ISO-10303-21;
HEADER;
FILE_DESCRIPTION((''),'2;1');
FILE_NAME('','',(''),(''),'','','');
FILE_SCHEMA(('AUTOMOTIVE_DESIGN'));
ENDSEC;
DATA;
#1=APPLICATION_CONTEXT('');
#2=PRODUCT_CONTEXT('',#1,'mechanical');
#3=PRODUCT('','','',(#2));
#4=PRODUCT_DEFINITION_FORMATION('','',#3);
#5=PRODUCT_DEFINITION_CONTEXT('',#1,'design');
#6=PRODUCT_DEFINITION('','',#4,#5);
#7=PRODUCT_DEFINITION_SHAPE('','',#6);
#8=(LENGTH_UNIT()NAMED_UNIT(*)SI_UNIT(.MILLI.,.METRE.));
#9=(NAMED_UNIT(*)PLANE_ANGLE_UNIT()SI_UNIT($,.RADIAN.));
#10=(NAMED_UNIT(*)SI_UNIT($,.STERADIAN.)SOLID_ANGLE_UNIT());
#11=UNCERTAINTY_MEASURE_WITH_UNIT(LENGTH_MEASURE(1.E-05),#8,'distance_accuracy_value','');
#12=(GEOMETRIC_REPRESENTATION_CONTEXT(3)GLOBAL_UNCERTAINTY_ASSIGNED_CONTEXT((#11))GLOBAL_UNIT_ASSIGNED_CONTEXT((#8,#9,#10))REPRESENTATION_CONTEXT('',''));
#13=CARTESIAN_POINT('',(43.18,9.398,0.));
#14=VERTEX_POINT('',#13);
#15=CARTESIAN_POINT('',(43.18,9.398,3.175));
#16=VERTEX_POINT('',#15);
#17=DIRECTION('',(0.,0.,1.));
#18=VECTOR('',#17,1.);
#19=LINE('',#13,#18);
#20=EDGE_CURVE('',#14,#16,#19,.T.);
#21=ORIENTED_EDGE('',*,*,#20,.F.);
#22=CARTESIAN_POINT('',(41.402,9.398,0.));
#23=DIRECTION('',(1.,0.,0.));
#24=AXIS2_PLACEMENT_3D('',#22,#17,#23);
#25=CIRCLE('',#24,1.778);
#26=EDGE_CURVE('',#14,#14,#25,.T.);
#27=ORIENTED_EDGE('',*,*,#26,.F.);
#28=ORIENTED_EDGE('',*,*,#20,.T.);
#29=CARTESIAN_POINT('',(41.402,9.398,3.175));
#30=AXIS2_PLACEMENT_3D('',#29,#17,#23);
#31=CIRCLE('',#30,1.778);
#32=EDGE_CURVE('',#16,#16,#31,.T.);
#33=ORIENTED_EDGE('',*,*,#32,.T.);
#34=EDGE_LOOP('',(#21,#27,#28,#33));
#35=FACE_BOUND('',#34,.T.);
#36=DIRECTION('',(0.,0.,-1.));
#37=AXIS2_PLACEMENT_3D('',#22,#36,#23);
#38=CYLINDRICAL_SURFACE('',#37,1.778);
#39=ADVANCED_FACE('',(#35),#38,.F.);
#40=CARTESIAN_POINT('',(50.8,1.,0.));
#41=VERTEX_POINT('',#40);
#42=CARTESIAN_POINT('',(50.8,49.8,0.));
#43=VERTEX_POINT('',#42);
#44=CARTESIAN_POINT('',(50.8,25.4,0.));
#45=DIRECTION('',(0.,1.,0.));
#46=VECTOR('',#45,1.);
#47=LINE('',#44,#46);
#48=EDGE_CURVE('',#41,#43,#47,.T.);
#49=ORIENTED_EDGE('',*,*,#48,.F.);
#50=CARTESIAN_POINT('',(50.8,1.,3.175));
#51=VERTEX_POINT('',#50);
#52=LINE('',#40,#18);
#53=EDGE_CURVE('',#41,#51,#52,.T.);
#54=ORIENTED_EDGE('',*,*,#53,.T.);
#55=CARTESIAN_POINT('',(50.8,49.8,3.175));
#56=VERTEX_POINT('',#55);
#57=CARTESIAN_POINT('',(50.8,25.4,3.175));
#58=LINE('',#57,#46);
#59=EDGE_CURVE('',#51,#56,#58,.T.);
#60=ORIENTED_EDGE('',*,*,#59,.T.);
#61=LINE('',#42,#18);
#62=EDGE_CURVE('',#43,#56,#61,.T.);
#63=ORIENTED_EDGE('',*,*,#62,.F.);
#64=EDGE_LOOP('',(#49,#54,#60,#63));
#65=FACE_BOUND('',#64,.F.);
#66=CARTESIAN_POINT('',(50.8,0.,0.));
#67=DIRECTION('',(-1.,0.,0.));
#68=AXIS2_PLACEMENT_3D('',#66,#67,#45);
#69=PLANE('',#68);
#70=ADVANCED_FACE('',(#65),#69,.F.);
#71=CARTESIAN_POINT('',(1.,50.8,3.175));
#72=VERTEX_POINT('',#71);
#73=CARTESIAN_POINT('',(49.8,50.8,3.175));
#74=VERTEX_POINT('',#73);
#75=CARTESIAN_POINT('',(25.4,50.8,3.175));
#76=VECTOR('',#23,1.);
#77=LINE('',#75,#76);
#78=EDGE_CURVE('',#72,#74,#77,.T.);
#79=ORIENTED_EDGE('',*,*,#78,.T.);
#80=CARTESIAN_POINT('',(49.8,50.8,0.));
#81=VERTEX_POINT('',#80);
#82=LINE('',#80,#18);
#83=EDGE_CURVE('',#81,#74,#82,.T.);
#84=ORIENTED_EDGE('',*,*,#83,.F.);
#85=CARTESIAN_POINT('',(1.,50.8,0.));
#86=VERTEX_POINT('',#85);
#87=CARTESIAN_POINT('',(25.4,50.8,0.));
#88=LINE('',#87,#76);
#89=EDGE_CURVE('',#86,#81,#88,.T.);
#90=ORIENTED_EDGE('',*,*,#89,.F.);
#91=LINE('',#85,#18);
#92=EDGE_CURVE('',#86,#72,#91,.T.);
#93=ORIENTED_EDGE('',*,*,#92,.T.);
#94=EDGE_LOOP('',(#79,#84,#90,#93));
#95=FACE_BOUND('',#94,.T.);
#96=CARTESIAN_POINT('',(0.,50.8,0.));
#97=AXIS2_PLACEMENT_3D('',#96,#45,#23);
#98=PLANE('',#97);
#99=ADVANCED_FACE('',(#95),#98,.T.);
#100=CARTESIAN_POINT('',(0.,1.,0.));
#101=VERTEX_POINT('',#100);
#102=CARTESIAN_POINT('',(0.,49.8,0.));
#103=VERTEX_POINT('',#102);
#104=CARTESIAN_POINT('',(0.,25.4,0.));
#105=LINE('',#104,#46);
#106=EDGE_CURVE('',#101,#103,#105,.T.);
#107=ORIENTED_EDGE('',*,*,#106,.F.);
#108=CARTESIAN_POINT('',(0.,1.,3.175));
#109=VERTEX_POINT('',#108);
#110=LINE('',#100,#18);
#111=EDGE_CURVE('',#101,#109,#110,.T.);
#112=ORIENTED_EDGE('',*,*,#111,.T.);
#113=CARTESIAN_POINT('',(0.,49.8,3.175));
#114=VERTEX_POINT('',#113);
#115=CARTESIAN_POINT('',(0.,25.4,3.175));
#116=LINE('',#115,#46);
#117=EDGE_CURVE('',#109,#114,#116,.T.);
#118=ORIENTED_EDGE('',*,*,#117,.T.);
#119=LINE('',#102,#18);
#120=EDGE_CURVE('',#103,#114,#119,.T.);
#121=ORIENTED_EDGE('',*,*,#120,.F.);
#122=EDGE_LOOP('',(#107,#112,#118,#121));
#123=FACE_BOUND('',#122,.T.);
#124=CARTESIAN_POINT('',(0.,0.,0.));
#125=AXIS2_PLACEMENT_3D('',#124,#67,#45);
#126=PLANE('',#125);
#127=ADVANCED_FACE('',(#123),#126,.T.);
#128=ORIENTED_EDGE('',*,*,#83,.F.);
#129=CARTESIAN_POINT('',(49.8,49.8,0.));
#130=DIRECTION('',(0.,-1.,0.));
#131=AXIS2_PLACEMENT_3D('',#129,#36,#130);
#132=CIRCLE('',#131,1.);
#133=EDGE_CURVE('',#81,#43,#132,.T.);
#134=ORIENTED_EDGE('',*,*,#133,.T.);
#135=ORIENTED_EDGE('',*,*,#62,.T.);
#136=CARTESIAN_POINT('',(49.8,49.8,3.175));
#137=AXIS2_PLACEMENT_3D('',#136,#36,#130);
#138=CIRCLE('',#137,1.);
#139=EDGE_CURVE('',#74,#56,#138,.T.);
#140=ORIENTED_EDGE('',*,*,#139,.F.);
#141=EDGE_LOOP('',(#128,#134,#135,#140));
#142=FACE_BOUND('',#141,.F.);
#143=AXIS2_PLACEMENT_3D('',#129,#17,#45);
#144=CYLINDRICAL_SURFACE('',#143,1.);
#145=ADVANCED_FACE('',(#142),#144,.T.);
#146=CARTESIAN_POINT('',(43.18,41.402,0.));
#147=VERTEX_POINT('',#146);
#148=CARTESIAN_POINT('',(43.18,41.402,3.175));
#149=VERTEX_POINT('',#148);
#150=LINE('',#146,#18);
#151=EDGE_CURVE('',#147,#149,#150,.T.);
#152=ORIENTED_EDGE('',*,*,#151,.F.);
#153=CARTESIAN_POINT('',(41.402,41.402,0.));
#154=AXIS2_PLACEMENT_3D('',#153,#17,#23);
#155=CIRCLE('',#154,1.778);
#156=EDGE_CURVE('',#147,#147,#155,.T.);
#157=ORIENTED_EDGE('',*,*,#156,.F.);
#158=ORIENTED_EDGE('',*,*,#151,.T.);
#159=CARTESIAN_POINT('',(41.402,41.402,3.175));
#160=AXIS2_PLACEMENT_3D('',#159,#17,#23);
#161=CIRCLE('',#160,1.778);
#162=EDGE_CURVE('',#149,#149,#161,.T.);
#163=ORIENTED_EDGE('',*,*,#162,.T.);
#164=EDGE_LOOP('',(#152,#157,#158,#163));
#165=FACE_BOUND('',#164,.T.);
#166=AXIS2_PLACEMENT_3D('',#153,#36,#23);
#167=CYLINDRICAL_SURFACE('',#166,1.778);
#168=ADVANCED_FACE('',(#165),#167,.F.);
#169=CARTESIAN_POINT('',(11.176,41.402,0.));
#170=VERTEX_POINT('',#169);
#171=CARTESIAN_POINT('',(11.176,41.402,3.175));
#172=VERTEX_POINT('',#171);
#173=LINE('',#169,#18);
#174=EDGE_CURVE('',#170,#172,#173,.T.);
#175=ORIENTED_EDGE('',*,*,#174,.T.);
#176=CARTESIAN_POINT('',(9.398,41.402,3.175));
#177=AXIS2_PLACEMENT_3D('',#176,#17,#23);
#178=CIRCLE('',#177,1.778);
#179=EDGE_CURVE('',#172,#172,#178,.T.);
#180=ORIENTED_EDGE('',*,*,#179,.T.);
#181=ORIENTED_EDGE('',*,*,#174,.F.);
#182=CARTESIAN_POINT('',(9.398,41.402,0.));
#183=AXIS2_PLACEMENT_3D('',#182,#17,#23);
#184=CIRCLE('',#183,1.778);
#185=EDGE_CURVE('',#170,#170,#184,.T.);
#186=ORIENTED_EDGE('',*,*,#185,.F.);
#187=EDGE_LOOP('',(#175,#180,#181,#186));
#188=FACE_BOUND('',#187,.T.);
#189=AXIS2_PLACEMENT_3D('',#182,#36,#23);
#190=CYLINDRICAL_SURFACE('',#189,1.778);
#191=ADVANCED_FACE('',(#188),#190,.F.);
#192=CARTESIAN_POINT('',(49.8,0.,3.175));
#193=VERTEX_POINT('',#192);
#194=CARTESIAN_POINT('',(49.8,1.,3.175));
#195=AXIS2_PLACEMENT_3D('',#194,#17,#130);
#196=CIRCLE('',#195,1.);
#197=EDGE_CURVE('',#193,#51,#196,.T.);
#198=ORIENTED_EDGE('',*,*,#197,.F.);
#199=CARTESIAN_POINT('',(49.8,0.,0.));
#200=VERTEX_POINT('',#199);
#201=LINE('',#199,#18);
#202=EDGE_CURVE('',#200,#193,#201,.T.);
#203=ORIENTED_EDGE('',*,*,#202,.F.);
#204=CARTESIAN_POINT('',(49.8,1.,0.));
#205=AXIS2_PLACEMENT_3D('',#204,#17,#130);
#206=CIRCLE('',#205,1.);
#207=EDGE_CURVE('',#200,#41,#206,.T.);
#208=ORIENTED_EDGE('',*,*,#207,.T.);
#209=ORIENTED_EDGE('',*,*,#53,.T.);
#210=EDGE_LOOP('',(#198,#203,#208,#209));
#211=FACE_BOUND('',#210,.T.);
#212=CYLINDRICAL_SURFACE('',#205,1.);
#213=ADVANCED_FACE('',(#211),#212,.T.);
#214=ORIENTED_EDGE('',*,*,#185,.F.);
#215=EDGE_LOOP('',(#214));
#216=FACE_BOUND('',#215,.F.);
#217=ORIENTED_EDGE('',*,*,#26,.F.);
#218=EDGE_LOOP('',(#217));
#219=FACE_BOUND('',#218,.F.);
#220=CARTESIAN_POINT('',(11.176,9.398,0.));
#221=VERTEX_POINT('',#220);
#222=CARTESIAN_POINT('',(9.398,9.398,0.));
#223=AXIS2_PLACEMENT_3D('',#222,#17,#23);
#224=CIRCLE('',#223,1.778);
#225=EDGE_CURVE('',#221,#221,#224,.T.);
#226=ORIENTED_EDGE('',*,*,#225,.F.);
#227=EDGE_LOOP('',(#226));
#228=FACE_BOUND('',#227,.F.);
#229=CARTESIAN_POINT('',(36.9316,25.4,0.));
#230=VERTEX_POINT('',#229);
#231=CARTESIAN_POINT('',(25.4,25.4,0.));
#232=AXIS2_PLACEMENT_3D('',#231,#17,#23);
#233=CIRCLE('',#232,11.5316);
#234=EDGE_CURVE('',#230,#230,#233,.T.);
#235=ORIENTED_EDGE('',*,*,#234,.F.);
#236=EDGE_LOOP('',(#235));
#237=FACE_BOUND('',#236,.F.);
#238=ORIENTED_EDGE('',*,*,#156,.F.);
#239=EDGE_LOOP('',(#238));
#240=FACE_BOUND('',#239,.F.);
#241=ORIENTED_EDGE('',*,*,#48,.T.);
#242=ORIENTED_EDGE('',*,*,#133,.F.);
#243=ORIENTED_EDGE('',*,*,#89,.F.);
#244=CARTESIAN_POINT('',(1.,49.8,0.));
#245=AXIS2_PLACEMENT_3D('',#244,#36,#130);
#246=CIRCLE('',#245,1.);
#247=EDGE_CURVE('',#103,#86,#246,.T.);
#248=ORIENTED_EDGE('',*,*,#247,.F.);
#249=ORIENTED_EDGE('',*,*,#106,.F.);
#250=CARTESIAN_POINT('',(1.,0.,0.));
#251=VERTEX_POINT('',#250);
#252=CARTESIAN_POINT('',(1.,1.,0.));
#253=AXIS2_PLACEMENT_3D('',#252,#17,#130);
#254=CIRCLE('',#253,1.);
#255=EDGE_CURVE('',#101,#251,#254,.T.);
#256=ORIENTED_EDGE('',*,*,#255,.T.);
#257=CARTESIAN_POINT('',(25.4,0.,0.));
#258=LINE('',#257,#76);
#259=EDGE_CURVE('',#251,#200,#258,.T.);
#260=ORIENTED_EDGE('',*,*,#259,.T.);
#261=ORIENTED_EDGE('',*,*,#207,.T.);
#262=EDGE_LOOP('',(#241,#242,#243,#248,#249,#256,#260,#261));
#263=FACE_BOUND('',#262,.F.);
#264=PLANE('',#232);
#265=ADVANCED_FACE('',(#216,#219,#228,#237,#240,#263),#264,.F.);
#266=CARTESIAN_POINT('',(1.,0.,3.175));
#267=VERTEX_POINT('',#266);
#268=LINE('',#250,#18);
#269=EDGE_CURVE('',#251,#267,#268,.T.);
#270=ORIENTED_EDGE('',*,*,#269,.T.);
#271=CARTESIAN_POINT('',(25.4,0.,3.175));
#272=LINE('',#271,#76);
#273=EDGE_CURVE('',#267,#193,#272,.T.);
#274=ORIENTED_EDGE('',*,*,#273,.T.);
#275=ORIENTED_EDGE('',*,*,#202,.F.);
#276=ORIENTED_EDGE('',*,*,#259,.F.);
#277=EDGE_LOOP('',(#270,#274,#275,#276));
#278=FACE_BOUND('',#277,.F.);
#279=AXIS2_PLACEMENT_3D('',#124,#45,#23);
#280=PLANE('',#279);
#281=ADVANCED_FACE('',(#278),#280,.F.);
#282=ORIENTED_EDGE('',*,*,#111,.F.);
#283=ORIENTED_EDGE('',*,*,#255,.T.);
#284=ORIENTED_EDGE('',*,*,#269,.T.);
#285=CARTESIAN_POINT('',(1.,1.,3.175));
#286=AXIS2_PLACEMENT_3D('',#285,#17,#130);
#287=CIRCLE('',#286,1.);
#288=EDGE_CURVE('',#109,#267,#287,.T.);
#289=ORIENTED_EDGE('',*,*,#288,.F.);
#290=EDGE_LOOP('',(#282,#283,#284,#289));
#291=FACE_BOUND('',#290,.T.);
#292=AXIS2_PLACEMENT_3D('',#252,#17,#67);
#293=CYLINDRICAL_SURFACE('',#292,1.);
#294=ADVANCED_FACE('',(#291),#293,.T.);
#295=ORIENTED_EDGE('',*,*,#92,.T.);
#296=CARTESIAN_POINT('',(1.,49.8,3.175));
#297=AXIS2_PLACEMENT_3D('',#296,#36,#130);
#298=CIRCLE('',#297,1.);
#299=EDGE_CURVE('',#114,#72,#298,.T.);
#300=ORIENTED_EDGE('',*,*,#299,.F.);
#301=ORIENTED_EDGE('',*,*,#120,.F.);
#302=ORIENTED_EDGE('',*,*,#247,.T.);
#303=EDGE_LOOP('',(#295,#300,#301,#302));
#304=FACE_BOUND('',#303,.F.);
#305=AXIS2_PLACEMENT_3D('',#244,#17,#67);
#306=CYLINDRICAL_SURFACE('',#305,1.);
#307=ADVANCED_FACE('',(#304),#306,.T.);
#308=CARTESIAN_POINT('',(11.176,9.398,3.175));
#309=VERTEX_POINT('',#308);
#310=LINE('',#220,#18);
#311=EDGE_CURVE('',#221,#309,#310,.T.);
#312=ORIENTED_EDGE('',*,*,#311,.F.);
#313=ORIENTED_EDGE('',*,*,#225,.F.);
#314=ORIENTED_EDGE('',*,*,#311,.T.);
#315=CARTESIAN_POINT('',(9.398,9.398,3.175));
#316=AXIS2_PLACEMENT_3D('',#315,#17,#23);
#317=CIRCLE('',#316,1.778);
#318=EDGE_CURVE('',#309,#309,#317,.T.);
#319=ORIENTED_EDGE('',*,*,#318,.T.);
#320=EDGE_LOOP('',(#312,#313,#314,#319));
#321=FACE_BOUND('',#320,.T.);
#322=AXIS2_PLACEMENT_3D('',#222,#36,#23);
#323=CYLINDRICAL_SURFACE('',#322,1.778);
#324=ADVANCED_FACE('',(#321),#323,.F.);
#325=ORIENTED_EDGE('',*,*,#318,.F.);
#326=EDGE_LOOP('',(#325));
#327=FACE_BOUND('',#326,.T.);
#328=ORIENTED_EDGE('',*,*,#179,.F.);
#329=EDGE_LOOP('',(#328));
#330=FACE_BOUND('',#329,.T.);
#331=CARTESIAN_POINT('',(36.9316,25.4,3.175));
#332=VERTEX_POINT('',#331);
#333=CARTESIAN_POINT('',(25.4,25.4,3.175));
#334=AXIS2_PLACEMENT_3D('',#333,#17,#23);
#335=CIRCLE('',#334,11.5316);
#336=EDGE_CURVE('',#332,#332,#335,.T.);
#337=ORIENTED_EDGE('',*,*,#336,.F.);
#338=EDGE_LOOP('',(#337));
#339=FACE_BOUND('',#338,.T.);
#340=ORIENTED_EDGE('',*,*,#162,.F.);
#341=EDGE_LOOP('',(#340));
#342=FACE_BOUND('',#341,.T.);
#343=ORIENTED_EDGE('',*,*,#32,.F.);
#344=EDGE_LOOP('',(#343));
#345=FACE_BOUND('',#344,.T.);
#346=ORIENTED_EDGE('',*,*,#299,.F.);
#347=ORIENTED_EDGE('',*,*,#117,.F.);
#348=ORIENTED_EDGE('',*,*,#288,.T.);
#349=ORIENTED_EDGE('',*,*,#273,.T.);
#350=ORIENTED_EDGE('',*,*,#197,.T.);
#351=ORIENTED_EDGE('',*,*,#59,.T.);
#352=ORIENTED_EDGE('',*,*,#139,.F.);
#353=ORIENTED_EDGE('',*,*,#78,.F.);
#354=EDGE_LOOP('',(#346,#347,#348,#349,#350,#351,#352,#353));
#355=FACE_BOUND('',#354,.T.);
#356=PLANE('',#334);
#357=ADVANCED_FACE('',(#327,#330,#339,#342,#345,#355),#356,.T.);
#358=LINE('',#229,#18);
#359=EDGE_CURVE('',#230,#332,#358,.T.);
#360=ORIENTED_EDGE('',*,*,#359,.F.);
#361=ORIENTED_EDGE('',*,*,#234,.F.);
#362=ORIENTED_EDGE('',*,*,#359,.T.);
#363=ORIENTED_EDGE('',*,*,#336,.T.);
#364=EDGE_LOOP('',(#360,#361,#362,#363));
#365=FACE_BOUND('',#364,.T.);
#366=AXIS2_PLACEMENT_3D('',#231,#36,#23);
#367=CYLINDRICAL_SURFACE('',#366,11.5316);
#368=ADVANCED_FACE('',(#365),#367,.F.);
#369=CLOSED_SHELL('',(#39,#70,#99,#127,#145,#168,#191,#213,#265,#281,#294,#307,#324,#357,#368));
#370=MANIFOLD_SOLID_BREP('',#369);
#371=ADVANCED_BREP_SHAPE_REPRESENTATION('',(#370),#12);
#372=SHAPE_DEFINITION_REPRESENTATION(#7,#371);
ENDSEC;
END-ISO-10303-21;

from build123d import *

# Parameters (mm, degrees)
F0_W     = 50.8
F0_H     = 50.8
F0_R     = 1.778
F0_R_2   = 11.5316
F1_DEPTH = 3.175
F2_R     = 1


with BuildPart() as f1:
    # F0 (on Top) → F1 (new body)
    with BuildSketch(Plane.XY):
        with Locations((25.4, 25.4)):
            Rectangle(F0_W, F0_H)
        with Locations((9.398, 9.398)):
            Circle(F0_R, mode=Mode.SUBTRACT)
        with Locations((25.4, 25.4)):
            Circle(F0_R_2, mode=Mode.SUBTRACT)
        with Locations((41.402, 9.398)):
            Circle(F0_R, mode=Mode.SUBTRACT)
        with Locations((9.398, 41.402)):
            Circle(F0_R, mode=Mode.SUBTRACT)
        with Locations((41.402, 41.402)):
            Circle(F0_R, mode=Mode.SUBTRACT)
    extrude(amount=F1_DEPTH)

    # F2
    f2_edges = [f1.edges().sort_by_distance(p)[0] for p in [
        (50.8, 0, 1.5875),
        (50.8, 50.8, 1.5875),
        (0, 50.8, 1.5875),
        (0, 0, 1.5875),
    ]]
    fillet(f2_edges, radius=F2_R)


solid = f1.part
